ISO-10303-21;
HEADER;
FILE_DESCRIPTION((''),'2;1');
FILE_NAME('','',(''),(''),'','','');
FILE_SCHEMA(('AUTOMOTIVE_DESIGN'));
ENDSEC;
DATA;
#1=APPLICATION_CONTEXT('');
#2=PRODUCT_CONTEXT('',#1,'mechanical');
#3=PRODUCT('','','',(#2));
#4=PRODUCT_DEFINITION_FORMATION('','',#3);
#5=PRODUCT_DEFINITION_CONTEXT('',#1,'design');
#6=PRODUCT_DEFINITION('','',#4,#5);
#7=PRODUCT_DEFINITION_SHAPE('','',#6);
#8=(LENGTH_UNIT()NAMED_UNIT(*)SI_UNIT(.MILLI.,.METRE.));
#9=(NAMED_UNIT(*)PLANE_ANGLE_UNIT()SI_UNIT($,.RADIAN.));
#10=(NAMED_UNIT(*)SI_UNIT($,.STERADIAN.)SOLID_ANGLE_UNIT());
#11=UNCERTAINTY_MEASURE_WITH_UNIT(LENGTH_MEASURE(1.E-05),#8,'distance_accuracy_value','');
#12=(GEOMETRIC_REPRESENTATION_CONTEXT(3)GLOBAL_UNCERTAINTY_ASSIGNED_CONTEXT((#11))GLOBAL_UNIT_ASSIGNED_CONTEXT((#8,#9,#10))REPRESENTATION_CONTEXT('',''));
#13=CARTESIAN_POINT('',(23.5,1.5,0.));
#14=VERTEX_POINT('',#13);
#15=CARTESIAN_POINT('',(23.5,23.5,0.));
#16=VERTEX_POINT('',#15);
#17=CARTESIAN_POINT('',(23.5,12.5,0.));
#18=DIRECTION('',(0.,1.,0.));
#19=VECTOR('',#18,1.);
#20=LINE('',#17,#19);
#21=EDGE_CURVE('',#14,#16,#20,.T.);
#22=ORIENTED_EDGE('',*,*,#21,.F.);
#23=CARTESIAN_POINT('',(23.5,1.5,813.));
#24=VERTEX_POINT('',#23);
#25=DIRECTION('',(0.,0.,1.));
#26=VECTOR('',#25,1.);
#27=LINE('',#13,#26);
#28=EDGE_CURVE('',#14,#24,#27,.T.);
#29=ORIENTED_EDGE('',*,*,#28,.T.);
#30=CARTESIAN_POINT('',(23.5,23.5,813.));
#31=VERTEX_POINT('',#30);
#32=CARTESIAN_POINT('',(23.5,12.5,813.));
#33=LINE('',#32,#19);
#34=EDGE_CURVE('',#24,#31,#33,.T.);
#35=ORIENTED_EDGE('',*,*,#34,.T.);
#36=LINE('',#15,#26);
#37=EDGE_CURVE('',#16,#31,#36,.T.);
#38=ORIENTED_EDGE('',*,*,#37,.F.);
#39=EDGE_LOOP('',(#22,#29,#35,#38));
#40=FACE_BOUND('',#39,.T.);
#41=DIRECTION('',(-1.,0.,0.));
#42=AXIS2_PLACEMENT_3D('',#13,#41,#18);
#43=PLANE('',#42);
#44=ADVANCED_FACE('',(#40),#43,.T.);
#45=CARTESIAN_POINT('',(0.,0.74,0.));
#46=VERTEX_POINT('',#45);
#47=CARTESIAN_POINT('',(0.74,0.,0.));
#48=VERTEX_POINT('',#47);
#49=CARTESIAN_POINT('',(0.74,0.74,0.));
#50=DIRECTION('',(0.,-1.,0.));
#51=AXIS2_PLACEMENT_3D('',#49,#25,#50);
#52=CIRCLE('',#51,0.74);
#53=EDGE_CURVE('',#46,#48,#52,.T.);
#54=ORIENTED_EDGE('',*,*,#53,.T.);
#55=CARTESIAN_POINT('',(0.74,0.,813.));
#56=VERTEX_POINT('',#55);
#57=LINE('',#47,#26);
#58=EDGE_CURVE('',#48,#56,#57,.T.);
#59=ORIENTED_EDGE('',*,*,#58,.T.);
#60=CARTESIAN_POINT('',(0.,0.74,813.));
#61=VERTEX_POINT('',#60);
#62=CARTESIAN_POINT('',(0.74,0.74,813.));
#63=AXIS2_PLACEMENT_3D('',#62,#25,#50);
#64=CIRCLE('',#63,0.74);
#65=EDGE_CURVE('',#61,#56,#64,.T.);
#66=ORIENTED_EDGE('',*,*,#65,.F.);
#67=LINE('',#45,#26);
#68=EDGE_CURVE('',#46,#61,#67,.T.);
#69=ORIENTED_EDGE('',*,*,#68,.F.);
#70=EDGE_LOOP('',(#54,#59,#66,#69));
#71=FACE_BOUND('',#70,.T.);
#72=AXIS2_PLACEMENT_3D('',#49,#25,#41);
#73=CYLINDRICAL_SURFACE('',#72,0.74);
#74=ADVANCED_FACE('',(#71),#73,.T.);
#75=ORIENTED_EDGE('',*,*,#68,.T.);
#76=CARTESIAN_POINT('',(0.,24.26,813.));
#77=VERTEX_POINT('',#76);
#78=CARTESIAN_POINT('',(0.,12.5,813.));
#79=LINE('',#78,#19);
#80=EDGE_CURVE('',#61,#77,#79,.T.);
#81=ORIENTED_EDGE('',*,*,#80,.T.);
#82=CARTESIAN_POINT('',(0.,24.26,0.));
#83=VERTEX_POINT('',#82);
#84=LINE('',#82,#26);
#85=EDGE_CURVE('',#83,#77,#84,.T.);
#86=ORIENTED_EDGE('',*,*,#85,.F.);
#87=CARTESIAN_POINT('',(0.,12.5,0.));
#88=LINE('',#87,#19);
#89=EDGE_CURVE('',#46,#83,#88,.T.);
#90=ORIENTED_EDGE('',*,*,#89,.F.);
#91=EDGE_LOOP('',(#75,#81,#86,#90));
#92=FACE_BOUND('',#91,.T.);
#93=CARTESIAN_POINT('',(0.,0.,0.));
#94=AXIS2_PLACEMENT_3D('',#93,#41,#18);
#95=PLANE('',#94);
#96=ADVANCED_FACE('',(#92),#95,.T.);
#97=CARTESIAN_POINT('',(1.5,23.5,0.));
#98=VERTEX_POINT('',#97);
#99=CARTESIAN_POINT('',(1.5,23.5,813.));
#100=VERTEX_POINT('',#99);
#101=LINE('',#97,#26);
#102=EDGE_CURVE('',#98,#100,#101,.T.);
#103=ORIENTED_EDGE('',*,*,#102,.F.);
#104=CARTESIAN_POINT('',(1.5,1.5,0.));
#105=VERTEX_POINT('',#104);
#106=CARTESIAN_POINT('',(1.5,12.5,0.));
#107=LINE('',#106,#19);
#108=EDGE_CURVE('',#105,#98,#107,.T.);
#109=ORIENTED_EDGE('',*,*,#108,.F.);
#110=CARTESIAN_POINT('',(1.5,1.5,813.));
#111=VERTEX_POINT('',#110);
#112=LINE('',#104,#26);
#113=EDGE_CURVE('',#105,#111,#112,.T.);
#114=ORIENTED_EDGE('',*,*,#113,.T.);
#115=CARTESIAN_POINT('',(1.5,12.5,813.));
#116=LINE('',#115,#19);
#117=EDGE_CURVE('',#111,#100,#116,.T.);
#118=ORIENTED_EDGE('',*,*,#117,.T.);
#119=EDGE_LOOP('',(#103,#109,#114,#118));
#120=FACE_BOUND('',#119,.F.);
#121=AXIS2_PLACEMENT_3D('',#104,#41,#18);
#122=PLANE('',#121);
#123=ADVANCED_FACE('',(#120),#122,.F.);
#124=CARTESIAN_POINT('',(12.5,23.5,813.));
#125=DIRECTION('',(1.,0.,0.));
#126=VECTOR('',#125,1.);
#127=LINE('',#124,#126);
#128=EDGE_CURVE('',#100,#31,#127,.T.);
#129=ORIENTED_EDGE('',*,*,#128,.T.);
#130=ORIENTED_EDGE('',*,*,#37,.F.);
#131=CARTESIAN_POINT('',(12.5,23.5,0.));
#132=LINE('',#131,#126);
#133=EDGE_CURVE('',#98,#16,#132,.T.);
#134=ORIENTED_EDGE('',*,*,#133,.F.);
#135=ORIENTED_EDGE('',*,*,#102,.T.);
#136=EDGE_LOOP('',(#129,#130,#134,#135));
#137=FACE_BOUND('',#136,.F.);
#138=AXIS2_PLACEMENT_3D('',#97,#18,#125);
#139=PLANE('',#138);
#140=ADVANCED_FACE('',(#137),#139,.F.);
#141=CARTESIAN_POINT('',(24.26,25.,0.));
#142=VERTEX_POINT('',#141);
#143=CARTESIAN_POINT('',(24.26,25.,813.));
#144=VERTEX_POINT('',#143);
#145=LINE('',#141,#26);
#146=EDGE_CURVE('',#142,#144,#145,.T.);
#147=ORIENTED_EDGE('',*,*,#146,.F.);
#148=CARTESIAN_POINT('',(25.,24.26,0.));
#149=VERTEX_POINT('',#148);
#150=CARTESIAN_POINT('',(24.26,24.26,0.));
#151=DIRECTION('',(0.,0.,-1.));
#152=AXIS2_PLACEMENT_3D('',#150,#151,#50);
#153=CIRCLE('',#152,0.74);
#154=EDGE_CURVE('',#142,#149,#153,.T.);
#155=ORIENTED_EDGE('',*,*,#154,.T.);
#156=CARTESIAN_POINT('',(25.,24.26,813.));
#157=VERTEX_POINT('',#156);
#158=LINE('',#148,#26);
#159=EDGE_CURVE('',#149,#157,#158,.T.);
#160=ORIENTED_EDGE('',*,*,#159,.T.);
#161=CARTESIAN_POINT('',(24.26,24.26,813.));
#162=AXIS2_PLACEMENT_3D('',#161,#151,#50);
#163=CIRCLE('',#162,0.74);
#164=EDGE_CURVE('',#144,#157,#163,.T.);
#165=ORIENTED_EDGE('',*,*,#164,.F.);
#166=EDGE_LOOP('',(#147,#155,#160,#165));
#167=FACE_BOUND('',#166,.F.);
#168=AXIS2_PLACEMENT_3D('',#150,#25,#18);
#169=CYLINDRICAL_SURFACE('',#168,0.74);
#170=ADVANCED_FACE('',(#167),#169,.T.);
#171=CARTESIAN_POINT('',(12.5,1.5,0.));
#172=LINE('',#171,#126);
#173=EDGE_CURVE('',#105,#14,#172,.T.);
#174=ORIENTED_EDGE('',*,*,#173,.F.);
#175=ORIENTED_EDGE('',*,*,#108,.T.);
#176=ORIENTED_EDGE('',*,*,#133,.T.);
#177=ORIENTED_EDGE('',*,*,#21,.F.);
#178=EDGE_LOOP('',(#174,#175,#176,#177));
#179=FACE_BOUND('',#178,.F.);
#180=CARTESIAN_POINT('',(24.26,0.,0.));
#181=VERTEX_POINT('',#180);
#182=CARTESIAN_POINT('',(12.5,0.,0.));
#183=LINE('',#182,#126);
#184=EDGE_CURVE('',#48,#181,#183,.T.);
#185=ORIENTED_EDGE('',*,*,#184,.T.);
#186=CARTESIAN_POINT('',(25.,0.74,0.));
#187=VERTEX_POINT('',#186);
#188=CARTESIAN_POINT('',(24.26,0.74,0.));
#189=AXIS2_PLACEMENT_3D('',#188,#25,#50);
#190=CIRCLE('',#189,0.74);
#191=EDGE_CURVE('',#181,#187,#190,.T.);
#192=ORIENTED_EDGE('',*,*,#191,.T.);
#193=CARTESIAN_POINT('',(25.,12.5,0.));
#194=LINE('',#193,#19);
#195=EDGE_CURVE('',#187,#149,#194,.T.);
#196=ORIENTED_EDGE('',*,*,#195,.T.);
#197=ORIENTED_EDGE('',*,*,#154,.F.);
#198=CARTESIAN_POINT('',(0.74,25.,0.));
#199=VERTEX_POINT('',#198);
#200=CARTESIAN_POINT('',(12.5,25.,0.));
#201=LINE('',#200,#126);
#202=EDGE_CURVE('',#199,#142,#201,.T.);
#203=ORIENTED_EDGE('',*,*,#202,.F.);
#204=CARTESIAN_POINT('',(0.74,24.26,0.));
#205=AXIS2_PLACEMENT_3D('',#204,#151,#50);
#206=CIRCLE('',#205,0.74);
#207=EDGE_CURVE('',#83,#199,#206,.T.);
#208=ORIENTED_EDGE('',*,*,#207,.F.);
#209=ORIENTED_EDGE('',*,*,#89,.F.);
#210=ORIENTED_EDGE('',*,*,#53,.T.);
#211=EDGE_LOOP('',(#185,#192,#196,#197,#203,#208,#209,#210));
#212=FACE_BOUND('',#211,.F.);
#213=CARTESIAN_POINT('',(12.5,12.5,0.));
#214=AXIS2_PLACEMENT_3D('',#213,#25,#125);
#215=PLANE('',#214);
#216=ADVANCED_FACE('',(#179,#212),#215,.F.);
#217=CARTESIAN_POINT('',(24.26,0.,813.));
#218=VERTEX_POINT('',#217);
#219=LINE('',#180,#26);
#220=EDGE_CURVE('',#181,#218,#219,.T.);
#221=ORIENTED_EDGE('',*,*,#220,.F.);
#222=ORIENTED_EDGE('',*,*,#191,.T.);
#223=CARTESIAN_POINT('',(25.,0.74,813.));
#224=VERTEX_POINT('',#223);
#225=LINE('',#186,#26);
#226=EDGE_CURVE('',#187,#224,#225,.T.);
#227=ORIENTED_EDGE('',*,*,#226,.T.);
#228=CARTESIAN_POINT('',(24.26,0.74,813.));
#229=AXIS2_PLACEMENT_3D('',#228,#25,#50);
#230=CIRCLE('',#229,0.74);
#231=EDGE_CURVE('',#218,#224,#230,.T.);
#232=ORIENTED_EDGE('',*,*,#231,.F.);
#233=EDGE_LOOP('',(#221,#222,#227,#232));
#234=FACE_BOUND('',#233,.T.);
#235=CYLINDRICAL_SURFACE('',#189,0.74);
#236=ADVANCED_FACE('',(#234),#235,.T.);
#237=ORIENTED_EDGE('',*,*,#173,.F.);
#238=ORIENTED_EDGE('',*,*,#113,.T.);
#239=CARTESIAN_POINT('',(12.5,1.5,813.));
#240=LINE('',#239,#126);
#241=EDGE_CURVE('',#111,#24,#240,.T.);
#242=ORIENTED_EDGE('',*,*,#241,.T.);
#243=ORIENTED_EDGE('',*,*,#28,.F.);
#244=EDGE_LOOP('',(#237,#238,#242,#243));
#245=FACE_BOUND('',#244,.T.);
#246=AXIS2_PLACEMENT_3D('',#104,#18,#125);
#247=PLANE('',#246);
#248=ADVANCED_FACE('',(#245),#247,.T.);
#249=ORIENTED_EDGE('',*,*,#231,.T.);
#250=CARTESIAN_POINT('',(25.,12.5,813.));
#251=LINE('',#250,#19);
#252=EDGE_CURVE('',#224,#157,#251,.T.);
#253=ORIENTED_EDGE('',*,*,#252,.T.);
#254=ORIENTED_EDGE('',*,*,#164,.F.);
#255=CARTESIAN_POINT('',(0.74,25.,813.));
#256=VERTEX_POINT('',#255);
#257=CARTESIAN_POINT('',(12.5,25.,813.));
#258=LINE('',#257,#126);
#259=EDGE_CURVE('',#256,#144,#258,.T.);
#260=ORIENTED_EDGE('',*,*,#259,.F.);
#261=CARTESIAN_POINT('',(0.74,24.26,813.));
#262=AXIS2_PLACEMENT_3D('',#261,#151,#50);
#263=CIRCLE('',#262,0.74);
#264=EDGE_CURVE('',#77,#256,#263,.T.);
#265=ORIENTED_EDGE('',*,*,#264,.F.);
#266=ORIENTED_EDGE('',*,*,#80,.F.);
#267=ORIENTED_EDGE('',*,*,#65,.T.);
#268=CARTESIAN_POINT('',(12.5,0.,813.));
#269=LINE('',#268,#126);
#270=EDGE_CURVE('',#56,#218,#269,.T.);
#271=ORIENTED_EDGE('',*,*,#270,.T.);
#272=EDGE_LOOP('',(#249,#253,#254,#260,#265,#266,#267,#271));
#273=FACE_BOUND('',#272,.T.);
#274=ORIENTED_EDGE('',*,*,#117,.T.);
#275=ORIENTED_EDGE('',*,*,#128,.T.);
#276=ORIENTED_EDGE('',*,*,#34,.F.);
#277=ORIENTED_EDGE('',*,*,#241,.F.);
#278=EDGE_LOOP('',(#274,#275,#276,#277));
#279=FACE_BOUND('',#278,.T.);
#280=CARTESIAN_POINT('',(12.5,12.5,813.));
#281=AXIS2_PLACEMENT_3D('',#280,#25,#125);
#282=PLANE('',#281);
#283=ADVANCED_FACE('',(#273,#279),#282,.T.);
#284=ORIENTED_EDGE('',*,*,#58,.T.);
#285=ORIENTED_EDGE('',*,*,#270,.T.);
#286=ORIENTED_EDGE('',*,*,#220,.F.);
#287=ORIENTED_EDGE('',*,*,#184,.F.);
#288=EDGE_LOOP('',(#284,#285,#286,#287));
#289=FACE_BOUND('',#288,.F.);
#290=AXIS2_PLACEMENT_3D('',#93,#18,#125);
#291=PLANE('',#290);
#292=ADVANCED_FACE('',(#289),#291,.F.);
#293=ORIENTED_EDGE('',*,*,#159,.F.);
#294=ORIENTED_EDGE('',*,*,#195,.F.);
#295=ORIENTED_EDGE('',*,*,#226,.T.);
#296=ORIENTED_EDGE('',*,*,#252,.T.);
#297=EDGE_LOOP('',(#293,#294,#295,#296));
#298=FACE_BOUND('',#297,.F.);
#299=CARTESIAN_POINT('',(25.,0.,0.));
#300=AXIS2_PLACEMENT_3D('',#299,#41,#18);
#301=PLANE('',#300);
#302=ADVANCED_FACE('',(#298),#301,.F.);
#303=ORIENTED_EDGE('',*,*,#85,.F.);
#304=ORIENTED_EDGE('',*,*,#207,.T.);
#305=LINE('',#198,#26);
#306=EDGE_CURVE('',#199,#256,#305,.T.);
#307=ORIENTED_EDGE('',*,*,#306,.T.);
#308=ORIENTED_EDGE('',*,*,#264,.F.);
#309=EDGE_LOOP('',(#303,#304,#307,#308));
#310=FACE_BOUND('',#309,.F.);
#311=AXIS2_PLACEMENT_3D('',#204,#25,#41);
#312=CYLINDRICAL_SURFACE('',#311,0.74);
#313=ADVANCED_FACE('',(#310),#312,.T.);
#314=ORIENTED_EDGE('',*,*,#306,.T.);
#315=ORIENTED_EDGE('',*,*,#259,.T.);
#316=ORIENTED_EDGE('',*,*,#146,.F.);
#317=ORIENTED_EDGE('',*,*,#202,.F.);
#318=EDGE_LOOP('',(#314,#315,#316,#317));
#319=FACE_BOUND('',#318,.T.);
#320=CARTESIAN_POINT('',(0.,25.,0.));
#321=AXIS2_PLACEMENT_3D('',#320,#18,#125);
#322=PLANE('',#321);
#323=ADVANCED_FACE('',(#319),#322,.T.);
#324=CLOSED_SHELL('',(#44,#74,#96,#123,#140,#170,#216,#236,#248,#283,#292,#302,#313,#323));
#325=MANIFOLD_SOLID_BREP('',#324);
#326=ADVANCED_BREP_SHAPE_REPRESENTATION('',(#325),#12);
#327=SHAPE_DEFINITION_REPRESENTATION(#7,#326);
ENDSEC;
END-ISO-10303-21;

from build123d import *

# Parameters (mm, degrees)
SKETCH_W   = 25
SKETCH_H   = 25
SKETCH_W_2 = 22
SKETCH_H_2 = 22
PAD_DEPTH  = 813
FILLET_R   = 0.74


with BuildPart() as part:
    # Sketch → Pad (new body)
    with BuildSketch(Plane.XY):
        with Locations((12.5, 12.5)):
            Rectangle(SKETCH_W, SKETCH_H)
        with Locations((12.5, 12.5)):
            Rectangle(SKETCH_W_2, SKETCH_H_2, mode=Mode.SUBTRACT)
    extrude(amount=PAD_DEPTH)

    # Fillet
    fillet_edges = [part.edges().sort_by_distance(p)[0] for p in [
        (25, 0, 406.5),
        (0, 0, 406.5),
        (25, 25, 406.5),
        (0, 25, 406.5),
    ]]
    fillet(fillet_edges, radius=FILLET_R)


solid = part.part
